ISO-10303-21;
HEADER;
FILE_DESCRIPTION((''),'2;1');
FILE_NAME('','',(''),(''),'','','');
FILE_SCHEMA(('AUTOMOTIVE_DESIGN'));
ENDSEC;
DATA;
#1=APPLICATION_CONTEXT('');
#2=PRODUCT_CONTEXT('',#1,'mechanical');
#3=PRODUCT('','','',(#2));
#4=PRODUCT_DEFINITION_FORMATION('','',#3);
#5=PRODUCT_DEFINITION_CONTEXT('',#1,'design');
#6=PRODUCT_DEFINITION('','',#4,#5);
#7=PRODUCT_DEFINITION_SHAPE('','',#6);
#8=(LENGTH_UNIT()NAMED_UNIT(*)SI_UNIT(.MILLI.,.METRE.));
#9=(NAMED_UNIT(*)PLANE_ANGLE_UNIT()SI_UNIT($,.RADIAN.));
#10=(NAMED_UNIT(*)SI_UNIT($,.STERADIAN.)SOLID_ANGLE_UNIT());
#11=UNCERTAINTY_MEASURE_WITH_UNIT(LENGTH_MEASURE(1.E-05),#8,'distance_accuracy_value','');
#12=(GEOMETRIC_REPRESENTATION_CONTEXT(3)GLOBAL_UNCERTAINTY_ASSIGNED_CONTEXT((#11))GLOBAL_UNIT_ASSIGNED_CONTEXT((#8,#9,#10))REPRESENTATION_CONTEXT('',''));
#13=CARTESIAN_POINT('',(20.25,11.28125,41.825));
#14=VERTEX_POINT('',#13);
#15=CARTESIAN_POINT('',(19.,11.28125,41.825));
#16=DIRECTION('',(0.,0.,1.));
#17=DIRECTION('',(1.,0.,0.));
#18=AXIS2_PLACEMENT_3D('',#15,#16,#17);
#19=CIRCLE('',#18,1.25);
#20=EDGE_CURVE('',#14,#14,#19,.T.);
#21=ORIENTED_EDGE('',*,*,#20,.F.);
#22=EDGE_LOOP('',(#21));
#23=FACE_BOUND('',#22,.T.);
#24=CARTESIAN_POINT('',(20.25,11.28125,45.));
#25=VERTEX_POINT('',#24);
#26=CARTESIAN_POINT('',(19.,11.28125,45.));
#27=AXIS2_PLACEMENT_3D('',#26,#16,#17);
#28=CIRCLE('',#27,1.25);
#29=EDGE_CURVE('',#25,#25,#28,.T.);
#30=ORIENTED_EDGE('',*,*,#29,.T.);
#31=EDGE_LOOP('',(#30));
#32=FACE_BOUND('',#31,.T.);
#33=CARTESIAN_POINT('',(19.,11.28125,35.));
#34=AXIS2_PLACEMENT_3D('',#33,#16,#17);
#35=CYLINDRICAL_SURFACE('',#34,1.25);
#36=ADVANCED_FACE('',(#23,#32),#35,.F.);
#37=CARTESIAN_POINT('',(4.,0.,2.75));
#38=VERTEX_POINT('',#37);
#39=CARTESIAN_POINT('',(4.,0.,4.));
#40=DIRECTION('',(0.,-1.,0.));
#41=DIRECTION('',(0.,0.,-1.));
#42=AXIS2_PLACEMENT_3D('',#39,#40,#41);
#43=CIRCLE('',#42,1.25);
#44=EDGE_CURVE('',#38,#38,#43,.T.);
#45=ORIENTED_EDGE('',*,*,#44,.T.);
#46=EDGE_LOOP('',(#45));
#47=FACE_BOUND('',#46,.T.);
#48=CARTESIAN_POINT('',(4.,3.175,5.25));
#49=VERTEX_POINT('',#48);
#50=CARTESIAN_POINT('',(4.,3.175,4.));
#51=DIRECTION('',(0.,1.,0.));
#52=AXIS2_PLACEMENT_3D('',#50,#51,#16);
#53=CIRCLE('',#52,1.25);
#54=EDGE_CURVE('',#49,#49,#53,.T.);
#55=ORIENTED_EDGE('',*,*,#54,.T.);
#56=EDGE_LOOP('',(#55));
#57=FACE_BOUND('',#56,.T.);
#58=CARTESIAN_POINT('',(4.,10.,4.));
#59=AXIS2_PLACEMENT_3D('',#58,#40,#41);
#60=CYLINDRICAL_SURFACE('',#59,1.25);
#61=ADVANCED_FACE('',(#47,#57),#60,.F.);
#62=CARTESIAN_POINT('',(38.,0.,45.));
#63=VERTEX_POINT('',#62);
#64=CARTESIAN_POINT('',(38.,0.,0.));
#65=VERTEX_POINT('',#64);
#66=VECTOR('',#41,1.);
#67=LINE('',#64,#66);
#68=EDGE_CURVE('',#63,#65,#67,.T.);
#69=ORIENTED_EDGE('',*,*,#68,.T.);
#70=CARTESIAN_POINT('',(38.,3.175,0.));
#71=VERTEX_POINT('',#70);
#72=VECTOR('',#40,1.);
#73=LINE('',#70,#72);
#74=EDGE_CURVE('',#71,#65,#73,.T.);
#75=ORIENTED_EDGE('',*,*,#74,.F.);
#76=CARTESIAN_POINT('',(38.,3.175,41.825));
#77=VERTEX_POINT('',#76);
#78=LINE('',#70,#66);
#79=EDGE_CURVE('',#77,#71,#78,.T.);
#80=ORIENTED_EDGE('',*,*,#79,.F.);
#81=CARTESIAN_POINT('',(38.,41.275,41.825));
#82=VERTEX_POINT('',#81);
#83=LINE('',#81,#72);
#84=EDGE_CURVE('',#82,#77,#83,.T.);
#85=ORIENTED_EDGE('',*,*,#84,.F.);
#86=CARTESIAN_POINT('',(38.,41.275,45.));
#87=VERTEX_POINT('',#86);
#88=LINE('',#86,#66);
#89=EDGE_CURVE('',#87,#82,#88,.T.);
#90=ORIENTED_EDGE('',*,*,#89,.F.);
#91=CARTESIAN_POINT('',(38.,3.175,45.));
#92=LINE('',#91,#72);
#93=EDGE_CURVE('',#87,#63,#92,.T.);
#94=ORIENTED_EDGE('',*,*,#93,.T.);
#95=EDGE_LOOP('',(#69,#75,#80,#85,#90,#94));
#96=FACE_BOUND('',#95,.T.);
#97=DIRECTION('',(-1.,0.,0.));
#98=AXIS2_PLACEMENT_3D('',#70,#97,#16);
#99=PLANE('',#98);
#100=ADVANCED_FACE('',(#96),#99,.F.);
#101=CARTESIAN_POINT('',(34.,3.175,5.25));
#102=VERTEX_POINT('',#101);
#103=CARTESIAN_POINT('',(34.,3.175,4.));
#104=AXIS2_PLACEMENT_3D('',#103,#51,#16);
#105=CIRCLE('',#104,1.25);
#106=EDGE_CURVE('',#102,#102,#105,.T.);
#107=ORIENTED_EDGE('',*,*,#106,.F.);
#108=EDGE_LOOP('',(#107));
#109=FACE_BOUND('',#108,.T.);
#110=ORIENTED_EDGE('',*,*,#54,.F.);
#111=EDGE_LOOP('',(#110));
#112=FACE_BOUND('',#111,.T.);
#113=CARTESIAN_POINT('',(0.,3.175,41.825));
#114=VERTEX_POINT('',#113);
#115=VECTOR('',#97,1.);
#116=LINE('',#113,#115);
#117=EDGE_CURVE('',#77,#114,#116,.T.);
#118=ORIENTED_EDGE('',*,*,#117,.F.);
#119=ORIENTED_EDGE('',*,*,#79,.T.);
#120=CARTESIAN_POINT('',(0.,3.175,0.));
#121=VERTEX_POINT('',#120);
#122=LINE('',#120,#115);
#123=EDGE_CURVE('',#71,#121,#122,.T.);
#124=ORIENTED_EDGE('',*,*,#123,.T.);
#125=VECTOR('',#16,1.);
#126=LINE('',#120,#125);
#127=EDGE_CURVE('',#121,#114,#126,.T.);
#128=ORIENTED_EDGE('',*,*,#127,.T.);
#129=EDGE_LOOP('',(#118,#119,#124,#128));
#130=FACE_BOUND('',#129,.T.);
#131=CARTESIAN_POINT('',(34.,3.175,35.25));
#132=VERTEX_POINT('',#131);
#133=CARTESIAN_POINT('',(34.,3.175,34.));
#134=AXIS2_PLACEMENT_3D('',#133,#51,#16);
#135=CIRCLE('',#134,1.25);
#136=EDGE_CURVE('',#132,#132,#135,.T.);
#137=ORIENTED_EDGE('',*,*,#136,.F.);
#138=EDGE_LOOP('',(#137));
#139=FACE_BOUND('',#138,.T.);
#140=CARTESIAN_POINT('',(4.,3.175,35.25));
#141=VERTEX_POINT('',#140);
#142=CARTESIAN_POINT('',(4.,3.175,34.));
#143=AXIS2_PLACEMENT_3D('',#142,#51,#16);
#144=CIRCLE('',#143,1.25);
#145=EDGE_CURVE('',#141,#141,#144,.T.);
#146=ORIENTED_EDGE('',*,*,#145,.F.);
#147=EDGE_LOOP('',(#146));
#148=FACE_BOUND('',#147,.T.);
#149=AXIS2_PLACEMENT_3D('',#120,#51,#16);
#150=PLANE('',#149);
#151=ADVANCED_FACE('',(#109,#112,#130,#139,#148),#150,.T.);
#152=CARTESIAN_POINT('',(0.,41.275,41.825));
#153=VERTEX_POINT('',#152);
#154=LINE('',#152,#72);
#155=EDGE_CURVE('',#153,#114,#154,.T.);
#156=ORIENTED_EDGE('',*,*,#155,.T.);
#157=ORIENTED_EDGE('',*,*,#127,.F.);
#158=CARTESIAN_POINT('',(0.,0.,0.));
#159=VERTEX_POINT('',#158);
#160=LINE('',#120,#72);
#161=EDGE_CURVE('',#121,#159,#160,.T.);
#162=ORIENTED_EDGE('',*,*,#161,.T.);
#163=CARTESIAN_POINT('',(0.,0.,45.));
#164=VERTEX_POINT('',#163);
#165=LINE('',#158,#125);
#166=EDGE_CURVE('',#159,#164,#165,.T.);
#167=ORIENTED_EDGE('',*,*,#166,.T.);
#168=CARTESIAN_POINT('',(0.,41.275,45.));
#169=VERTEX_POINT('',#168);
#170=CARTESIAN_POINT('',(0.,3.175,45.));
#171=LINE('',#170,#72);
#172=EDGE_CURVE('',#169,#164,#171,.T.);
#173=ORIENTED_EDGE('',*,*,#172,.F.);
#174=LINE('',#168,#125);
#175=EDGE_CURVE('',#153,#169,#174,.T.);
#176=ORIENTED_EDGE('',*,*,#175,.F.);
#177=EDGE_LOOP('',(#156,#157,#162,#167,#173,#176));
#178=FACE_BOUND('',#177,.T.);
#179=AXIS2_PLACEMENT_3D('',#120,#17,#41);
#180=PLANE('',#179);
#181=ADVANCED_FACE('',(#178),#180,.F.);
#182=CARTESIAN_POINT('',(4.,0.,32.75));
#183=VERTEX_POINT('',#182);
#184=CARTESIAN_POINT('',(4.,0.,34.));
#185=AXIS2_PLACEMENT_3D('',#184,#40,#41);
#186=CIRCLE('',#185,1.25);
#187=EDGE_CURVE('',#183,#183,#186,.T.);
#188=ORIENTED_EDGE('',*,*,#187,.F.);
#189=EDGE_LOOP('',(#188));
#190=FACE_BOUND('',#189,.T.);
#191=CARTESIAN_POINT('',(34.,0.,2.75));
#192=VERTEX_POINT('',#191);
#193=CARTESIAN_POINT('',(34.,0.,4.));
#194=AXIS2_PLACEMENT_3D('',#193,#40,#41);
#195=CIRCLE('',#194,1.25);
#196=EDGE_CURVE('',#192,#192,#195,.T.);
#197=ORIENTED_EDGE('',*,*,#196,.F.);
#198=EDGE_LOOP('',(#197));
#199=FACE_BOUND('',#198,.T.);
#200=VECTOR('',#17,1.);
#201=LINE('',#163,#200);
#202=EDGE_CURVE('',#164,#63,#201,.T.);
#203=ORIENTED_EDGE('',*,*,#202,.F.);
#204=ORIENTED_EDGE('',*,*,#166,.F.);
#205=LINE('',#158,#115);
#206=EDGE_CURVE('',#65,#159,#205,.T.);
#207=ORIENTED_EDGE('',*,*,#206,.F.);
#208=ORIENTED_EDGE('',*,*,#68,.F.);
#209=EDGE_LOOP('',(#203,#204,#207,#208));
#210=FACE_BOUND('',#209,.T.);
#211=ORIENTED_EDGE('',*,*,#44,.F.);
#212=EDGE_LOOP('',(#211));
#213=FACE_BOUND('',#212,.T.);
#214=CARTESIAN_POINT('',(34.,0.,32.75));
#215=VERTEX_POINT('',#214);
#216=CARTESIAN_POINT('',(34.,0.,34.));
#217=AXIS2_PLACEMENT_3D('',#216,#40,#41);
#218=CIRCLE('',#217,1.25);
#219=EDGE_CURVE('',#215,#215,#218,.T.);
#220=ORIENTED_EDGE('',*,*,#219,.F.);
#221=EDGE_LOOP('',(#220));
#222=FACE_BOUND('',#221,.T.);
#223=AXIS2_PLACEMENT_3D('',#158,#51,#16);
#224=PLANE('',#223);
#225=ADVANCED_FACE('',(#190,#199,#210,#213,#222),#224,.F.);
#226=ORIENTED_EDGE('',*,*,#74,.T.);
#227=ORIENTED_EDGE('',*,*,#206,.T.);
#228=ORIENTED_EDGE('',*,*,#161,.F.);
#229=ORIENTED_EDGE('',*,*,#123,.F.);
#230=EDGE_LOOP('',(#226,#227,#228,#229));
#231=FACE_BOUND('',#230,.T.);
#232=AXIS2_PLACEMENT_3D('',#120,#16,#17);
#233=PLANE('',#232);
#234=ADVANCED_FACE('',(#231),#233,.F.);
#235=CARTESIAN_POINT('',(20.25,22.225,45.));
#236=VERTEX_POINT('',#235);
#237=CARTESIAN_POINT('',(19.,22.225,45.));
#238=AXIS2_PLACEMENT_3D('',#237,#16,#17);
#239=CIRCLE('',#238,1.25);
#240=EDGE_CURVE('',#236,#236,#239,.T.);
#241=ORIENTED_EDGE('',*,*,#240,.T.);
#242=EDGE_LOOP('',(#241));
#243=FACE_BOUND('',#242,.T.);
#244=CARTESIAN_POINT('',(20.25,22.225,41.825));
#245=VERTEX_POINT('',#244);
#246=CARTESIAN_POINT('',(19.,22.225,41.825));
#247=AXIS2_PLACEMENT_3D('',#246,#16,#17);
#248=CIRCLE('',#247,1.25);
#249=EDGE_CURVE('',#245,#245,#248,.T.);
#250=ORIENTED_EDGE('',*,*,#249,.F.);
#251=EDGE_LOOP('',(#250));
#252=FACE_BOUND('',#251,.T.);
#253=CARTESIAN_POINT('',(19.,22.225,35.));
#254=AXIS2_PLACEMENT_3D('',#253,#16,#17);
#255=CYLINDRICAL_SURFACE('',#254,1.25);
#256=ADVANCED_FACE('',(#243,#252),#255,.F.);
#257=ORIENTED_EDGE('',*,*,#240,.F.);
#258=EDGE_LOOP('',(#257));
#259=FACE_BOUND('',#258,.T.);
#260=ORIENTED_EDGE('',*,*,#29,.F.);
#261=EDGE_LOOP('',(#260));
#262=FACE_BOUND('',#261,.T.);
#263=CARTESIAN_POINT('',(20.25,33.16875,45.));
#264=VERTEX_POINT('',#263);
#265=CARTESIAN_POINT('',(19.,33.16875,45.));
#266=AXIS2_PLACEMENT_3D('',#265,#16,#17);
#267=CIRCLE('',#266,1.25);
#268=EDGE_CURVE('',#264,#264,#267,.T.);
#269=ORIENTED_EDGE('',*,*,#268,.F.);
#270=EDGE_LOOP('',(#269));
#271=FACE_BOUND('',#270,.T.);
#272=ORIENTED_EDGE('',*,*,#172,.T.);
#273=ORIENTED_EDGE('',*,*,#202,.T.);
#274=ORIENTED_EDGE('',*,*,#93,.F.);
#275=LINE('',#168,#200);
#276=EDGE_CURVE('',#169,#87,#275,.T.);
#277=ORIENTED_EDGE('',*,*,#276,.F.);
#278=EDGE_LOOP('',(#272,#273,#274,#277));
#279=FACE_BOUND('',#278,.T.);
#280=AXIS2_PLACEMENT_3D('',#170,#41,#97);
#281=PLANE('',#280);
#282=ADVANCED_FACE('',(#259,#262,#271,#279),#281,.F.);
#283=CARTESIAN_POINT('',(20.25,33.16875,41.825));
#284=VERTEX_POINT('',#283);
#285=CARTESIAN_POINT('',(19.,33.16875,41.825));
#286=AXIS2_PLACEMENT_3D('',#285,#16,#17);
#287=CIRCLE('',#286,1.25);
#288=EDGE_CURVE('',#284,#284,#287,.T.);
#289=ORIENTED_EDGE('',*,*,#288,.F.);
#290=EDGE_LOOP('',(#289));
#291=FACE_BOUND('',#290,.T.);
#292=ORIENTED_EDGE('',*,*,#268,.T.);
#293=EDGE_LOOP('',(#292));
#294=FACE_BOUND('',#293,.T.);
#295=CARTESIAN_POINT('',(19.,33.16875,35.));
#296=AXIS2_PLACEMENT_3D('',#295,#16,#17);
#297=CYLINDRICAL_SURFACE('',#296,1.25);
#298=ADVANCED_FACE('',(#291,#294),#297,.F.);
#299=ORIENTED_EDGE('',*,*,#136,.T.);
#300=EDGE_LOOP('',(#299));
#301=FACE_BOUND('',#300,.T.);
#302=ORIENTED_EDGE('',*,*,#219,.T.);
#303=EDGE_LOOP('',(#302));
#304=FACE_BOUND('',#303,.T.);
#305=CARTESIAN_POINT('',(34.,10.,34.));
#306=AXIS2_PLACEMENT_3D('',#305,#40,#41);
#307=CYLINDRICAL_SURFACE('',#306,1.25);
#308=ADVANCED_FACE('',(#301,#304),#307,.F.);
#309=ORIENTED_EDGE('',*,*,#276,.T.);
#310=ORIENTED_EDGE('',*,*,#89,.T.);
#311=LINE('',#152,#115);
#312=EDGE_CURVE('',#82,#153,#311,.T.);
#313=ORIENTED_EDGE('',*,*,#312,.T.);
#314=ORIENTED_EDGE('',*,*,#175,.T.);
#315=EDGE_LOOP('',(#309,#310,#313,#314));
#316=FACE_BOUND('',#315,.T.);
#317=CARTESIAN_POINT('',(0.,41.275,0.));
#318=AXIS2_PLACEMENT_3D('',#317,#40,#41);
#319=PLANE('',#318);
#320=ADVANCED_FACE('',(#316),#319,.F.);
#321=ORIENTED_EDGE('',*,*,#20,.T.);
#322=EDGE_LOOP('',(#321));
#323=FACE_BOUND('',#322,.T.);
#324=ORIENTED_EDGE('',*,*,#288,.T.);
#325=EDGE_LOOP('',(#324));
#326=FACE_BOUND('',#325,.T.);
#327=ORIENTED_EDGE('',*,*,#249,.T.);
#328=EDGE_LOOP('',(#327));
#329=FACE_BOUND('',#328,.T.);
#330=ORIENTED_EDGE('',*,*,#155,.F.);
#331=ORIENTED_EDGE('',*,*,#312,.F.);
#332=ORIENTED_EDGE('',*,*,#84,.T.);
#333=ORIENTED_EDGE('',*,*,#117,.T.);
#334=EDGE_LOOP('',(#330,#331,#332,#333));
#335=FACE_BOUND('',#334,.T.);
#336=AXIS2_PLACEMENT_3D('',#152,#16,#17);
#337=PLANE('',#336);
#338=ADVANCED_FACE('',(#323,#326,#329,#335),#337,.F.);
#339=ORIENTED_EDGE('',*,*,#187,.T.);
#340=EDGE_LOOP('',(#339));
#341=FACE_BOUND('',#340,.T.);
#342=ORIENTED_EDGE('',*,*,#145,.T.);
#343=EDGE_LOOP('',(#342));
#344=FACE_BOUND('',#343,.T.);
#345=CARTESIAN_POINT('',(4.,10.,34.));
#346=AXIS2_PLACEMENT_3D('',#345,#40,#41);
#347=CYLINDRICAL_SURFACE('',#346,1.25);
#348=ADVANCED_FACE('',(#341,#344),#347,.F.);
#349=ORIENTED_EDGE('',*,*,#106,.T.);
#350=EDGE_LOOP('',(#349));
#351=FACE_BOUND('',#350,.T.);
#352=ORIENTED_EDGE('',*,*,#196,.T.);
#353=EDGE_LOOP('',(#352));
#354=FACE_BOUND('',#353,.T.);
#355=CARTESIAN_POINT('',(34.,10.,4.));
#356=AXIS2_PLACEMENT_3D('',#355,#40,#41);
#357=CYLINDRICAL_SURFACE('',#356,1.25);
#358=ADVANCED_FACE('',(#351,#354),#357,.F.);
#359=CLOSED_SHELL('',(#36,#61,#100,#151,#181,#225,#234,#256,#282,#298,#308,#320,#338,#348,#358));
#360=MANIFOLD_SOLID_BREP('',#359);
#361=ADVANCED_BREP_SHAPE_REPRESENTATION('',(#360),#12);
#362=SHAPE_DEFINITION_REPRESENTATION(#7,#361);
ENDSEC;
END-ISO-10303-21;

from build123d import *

# Parameters (mm, degrees)
SKETCH1_W            = 38
SKETCH1_H            = 45
BOSS_EXTRUDE1_DEPTH  = 3.175
SKETCH2_W            = 38
SKETCH2_H            = 3.175
BOSS_EXTRUDE2_DEPTH  = 38.1
SKETCH3_R            = 1.25
CAMERA_HOLES_DEPTH   = 10
SKETCH4_R            = 1.25
MOUNTING_HOLES_DEPTH = 10


with BuildPart() as part:
    # Sketch1 → Boss-Extrude1 (new body)
    with BuildSketch(Plane(origin=(0, 0, 0), x_dir=(1, 0, 0), z_dir=(0, 1, 0))):
        with Locations((19, -22.5)):
            Rectangle(SKETCH1_W, SKETCH1_H)
    extrude(amount=BOSS_EXTRUDE1_DEPTH)

    # Sketch2 → Boss-Extrude2 (add)
    with BuildSketch(Plane(origin=(0, 3.175, 0), x_dir=(1, 0, 0), z_dir=(0, 1, 0))):
        with Locations((19, -43.4125)):
            Rectangle(SKETCH2_W, SKETCH2_H)
    extrude(amount=BOSS_EXTRUDE2_DEPTH)

    # Sketch3 → camera holes (cut)
    with BuildSketch(Plane.XZ):
        with Locations((4, 34)):
            Circle(SKETCH3_R)
        with Locations((34, 34)):
            Circle(SKETCH3_R)
        with Locations((4, 4)):
            Circle(SKETCH3_R)
        with Locations((34, 4)):
            Circle(SKETCH3_R)
    extrude(amount=-CAMERA_HOLES_DEPTH, mode=Mode.SUBTRACT)

    # Sketch4 → mounting holes (cut)
    with BuildSketch(Plane.XY.offset(45)):
        with Locations((19, 11.28125)):
            Circle(SKETCH4_R)
        with Locations((19, 33.16875)):
            Circle(SKETCH4_R)
        with Locations((19, 22.225)):
            Circle(SKETCH4_R)
    extrude(amount=-MOUNTING_HOLES_DEPTH, mode=Mode.SUBTRACT)


solid = part.part
